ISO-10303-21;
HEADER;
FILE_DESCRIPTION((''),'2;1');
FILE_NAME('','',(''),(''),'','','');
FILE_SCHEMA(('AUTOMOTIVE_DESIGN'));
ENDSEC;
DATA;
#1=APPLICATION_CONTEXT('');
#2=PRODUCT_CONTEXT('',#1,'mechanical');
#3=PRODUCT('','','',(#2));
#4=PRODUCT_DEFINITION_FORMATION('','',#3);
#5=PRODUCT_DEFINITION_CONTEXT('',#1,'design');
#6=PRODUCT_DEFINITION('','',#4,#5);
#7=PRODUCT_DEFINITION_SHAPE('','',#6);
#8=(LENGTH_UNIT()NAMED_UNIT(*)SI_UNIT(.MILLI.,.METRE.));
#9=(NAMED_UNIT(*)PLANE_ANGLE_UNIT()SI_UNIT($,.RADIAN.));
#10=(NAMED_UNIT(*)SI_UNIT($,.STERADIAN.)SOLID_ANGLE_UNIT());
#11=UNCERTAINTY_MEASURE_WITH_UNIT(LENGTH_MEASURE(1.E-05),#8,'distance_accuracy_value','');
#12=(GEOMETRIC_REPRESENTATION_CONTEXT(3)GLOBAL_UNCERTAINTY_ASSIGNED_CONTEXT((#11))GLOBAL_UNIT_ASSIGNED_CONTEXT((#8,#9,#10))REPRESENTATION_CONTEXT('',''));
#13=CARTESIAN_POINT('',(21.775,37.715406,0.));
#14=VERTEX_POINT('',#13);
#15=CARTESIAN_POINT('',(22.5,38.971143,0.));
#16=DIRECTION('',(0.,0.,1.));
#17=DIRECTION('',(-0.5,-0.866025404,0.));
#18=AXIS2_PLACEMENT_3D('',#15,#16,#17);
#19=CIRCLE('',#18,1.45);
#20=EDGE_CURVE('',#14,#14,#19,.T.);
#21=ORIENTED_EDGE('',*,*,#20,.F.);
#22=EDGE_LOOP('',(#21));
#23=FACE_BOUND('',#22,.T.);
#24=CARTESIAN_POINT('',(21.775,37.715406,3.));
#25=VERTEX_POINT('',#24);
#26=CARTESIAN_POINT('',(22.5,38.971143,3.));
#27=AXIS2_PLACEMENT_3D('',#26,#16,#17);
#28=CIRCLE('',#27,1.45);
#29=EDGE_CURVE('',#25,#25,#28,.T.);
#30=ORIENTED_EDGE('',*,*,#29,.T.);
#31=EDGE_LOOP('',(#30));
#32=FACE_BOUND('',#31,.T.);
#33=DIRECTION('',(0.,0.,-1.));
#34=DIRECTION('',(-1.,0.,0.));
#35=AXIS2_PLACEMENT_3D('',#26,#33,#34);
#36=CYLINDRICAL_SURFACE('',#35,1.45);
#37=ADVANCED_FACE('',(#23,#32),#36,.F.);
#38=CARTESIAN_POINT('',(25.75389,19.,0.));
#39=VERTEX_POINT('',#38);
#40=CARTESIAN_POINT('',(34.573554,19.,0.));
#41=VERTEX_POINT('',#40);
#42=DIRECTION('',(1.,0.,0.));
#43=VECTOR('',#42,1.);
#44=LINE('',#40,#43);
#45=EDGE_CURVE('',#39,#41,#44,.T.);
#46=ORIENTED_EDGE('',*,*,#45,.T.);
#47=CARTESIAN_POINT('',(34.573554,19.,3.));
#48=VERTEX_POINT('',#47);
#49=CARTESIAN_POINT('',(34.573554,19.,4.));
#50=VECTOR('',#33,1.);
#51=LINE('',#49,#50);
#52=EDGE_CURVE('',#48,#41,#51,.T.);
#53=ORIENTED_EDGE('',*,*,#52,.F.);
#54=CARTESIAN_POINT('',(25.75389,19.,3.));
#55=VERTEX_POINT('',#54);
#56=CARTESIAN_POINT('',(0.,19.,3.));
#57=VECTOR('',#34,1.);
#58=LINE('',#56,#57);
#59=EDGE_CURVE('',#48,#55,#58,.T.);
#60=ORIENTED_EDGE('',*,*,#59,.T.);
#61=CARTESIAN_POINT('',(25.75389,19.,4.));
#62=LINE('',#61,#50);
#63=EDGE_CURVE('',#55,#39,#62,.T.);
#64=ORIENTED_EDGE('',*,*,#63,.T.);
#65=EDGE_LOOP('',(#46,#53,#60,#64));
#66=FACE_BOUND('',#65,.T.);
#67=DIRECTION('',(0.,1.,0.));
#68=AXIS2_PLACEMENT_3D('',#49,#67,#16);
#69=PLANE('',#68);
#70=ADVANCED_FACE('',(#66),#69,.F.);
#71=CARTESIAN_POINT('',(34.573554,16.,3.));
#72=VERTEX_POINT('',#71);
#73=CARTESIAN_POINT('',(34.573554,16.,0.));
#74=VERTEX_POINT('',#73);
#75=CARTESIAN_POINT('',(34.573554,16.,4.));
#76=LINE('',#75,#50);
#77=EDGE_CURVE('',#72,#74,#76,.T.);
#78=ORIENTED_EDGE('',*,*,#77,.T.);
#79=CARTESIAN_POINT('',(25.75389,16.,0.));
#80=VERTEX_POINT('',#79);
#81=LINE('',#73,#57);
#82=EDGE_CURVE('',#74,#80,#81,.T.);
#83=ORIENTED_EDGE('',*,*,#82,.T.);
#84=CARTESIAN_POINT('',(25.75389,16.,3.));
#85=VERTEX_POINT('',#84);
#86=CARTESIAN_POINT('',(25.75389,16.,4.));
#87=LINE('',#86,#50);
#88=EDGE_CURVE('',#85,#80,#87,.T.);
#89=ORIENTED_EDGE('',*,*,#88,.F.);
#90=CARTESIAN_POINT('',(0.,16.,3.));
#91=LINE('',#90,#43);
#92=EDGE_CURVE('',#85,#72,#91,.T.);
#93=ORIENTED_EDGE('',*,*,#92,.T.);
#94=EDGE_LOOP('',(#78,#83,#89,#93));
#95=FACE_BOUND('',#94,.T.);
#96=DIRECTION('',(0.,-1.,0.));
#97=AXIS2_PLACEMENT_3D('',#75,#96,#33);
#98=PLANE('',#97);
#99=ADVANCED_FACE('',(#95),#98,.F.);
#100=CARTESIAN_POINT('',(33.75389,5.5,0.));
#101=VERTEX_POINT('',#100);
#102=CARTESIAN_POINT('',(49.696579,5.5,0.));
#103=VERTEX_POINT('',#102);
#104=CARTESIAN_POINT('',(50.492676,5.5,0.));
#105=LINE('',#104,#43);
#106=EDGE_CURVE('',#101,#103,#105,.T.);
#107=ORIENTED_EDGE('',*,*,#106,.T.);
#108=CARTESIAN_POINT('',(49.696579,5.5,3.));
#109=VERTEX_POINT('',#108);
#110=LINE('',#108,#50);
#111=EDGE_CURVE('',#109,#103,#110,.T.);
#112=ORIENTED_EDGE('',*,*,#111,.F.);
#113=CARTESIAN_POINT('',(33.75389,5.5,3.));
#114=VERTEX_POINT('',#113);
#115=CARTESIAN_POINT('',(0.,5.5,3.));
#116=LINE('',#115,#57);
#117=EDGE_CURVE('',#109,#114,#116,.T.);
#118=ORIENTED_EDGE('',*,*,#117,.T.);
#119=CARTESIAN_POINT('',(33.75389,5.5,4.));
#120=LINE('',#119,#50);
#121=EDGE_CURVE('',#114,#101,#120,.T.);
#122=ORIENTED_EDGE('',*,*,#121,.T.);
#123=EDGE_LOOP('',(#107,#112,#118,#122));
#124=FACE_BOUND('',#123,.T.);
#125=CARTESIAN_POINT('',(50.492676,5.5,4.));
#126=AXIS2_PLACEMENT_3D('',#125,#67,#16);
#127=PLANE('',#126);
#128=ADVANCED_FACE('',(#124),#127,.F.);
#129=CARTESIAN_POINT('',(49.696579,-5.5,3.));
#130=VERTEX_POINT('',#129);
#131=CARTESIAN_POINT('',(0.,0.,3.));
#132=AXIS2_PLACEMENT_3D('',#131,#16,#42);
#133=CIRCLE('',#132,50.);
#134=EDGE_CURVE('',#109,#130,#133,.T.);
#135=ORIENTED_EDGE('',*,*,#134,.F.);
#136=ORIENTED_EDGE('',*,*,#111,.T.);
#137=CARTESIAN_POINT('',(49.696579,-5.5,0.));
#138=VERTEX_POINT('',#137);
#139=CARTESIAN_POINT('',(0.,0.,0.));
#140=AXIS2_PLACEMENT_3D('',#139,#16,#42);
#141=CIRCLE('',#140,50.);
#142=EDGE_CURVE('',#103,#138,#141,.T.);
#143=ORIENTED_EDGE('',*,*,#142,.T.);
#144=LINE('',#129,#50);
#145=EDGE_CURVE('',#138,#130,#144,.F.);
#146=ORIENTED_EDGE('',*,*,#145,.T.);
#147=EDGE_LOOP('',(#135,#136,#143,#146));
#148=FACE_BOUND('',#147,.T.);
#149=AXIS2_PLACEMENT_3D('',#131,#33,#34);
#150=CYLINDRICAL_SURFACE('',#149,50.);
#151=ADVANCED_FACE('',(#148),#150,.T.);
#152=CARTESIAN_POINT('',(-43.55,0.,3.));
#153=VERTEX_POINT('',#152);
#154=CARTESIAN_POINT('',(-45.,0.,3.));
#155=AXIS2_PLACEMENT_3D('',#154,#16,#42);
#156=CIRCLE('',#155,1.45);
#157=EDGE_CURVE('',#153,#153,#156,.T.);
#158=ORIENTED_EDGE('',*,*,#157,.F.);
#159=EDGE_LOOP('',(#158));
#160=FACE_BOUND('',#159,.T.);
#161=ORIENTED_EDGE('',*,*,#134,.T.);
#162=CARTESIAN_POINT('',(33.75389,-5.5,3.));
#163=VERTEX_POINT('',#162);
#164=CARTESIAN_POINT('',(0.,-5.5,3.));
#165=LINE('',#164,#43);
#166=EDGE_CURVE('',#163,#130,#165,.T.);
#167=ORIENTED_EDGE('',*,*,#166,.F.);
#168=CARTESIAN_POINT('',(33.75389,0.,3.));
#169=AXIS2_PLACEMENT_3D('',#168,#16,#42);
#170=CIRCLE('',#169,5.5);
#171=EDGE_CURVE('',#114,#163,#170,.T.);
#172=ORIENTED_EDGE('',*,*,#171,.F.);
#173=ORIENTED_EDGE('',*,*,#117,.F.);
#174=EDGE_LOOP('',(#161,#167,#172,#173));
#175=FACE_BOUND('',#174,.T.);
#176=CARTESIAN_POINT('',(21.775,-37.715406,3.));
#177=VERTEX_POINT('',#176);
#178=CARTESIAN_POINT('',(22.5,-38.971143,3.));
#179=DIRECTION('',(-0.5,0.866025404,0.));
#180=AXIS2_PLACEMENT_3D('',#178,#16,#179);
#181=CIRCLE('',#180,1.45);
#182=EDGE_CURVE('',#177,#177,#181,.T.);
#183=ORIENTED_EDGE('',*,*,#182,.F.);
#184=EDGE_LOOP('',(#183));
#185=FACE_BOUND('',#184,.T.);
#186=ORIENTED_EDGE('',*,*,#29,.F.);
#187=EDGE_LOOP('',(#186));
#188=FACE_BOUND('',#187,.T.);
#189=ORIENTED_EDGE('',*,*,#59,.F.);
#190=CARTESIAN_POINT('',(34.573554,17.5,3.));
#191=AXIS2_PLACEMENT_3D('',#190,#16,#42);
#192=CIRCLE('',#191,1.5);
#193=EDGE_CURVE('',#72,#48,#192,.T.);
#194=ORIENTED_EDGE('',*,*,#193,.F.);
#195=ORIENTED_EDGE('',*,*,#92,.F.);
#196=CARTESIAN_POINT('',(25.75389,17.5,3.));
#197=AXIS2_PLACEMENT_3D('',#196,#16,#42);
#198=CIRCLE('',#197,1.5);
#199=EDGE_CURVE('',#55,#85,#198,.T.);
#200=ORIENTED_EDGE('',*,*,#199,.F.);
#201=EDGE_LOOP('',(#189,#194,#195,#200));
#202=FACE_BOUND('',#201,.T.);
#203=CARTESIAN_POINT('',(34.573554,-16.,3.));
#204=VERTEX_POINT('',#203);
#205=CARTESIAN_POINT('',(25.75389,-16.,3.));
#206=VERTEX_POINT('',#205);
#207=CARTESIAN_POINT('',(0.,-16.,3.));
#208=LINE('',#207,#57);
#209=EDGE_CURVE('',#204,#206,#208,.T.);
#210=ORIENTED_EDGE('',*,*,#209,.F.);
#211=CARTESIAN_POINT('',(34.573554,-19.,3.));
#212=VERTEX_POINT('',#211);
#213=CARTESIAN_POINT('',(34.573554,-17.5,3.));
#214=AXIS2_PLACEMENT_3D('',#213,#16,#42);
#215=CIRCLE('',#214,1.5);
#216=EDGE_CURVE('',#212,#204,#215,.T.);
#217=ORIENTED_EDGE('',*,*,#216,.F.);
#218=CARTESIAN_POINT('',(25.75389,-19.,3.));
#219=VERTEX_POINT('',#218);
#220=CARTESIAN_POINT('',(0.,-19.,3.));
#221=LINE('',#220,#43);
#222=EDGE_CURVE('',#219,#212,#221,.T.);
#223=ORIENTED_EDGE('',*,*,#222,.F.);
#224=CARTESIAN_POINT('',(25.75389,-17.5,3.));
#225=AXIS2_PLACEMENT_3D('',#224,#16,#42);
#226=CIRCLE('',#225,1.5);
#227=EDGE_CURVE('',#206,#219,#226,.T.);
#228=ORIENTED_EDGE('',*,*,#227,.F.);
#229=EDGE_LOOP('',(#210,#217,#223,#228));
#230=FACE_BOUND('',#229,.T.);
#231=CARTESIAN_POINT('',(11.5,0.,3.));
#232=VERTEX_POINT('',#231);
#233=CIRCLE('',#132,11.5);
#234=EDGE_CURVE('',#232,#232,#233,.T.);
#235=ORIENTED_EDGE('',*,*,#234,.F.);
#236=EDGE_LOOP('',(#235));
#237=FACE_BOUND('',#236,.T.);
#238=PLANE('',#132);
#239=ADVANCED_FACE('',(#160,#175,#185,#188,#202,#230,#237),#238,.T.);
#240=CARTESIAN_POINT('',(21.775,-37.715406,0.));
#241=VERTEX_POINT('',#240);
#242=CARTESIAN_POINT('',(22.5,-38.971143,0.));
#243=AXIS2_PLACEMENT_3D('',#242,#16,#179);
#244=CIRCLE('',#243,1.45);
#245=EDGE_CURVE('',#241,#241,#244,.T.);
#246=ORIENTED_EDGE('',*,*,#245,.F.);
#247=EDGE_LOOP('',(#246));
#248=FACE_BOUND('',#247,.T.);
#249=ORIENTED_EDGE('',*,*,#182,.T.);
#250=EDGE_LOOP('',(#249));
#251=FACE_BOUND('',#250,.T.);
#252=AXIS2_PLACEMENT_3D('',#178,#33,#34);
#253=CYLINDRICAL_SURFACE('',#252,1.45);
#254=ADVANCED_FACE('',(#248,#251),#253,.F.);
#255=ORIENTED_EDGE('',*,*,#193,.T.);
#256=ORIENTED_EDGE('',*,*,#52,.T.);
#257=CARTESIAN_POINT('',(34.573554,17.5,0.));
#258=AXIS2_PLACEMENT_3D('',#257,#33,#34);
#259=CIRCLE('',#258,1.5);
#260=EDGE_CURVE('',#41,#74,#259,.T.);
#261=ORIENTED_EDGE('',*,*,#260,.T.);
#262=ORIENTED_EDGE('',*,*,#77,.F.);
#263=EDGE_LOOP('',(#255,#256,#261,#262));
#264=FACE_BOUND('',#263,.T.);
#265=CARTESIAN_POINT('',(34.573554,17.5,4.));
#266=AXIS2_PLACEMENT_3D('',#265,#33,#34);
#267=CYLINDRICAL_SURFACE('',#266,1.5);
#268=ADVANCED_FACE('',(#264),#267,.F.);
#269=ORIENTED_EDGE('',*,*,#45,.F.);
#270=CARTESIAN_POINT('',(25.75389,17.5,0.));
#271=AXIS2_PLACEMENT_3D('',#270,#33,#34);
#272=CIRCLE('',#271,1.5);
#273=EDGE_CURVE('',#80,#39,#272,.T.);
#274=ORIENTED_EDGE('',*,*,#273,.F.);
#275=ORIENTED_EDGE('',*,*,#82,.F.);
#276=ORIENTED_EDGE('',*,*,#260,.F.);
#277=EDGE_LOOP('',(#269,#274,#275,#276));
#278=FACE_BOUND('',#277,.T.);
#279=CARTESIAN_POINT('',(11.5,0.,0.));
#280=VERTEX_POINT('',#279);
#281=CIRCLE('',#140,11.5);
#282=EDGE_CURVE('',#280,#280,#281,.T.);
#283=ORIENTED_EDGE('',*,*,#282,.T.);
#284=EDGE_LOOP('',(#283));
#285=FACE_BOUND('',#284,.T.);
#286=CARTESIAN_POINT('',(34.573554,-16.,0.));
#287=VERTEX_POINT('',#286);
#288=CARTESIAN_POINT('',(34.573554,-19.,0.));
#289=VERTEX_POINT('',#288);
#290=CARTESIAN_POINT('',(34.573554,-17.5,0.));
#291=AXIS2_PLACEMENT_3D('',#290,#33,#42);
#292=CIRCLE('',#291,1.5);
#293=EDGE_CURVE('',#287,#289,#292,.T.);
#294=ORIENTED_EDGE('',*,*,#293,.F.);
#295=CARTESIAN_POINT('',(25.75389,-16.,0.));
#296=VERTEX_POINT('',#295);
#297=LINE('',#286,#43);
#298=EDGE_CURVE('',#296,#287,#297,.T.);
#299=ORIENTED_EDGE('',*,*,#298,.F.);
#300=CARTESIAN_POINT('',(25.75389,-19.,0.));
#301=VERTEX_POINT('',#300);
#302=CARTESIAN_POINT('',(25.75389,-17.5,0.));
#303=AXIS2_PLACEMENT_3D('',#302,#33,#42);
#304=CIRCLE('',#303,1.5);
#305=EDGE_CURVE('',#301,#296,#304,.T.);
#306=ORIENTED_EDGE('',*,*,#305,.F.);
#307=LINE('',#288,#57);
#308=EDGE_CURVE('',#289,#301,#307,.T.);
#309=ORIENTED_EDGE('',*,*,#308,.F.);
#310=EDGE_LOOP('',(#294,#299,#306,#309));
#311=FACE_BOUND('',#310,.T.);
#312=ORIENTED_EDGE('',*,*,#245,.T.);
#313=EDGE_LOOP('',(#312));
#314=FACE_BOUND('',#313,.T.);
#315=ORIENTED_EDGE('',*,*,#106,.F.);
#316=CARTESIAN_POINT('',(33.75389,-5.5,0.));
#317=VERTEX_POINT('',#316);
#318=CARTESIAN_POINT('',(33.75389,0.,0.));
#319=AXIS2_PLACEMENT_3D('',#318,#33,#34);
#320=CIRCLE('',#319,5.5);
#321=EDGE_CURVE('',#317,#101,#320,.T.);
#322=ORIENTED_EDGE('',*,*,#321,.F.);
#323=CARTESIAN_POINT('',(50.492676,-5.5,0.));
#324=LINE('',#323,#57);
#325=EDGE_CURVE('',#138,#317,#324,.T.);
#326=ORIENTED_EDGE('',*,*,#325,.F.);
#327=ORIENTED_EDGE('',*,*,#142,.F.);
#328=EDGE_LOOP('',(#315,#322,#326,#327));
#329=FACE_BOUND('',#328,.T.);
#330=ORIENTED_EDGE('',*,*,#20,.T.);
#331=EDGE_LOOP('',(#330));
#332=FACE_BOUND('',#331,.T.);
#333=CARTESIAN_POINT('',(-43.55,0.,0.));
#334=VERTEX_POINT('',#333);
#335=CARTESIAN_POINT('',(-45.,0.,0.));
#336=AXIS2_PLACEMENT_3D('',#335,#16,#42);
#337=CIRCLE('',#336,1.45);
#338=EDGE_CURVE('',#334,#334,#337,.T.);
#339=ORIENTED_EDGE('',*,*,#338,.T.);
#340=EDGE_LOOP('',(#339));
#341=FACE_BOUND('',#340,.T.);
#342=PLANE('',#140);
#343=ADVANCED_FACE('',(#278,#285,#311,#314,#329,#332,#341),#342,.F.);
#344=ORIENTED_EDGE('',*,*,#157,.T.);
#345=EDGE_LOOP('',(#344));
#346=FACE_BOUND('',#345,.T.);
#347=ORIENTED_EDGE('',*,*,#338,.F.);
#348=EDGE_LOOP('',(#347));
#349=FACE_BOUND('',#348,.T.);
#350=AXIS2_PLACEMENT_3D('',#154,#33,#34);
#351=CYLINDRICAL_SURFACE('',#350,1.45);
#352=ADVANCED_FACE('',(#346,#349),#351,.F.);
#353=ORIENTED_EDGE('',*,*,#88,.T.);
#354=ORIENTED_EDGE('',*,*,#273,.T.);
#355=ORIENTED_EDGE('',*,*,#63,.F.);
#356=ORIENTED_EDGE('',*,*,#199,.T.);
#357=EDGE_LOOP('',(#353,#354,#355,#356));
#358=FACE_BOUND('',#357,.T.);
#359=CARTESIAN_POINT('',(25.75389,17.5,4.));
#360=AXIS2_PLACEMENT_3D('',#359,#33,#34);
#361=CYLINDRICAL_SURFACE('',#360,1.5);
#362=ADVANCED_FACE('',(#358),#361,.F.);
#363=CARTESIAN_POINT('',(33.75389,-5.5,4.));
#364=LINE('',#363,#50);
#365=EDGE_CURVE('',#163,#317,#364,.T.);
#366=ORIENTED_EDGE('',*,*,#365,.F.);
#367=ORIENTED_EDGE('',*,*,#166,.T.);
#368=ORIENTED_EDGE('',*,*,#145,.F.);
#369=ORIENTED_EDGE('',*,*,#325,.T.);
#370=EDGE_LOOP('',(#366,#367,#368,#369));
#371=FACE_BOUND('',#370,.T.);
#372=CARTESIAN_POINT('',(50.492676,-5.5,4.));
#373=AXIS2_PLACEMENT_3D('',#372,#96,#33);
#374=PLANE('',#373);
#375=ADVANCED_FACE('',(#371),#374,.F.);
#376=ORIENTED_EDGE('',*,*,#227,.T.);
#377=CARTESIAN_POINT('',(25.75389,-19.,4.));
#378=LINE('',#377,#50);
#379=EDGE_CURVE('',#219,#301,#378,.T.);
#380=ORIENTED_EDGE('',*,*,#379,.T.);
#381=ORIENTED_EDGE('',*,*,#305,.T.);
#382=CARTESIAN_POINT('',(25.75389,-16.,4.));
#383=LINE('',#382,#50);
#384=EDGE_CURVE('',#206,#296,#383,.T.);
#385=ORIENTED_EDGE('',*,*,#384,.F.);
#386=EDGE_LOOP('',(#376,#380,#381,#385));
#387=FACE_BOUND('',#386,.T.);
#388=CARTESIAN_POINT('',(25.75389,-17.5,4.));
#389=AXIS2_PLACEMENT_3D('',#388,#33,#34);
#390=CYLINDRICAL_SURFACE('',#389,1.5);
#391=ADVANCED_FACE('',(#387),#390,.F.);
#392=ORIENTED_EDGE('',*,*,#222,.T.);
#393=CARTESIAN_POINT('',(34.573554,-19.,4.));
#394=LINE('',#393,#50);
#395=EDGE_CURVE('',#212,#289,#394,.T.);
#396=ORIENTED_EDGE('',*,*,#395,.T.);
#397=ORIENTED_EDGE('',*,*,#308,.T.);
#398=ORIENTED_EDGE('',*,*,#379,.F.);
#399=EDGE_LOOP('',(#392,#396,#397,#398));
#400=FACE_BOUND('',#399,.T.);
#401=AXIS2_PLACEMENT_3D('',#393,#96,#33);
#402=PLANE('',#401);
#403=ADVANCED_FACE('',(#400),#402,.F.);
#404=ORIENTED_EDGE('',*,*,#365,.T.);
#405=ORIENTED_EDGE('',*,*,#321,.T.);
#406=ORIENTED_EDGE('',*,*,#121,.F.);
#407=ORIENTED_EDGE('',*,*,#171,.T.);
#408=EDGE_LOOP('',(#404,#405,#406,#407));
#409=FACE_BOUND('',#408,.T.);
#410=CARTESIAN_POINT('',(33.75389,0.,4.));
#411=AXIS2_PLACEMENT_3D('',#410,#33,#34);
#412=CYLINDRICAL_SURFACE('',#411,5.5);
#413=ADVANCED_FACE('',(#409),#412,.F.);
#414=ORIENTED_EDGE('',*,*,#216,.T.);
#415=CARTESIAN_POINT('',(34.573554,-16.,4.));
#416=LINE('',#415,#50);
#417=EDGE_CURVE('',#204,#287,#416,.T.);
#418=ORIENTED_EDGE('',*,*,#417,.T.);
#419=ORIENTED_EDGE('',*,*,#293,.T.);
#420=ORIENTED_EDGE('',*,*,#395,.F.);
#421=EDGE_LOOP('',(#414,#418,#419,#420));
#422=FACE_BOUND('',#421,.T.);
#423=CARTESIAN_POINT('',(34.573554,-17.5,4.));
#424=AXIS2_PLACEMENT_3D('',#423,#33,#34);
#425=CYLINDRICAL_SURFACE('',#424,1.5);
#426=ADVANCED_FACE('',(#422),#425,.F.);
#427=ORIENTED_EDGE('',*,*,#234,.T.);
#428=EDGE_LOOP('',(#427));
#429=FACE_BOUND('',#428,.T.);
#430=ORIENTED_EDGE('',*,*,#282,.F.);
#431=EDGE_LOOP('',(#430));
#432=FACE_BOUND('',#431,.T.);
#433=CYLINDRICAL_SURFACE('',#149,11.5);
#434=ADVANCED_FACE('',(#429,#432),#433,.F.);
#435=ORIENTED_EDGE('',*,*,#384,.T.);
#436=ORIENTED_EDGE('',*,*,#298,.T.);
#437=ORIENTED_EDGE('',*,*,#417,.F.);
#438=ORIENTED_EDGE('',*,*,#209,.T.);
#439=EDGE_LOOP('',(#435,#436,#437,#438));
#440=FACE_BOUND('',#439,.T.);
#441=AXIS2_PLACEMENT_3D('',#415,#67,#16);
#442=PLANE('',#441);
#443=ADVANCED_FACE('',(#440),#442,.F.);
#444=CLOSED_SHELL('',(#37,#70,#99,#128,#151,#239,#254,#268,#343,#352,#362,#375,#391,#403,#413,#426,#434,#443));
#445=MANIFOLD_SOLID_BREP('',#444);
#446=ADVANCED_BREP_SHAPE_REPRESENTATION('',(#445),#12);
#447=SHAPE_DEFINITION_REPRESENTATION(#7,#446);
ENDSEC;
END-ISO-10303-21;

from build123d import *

# Parameters (mm, degrees)
ESQUISSE1_R                  = 50
ESQUISSE1_R_2                = 11.5
BOSS_EXTRU_1_DEPTH           = 3
ENL_V_MAT_EXTRU_2_DEPTH      = 4
ESQUISSE4_R                  = 1.45
ENL_V_MAT_EXTRU_3_DEPTH      = 71.774289117
R_P_TITION_CIRCULAIRE1_COUNT = 3


with BuildPart() as part:
    # Esquisse1 → Boss.-Extru.1 (new body)
    with BuildSketch(Plane.XY):
        Circle(ESQUISSE1_R)
        Circle(ESQUISSE1_R_2, mode=Mode.SUBTRACT)
    extrude(amount=BOSS_EXTRU_1_DEPTH)

    # Esquisse3 → Enlèv. mat.-Extru.2 (cut)
    with BuildSketch(Plane(origin=(0, 0, 0), x_dir=(-1, 0, 0), z_dir=(0, 0, -1))):
        with BuildLine():
            Line((-50.492676186, 5.5), (-33.753889757, 5.5))
            ThreePointArc((-33.753889757, 5.5), (-28.253889757, 0), (-33.753889757, -5.5))
            Line((-33.753889757, -5.5), (-50.492676186, -5.5))
            ThreePointArc((-50.492676186, -5.5), (-55.992676186, 0), (-50.492676186, 5.5))
        make_face()
        with BuildLine():
            Line((-34.573554166, 19), (-25.753889757, 19))
            ThreePointArc((-25.753889757, 19), (-24.253889757, 17.5), (-25.753889757, 16))
            Line((-25.753889757, 16), (-34.573554166, 16))
            ThreePointArc((-34.573554166, 16), (-36.073554166, 17.5), (-34.573554166, 19))
        make_face()
        with BuildLine():
            Line((-34.573554166, -19), (-25.753889757, -19))
            ThreePointArc((-25.753889757, -19), (-24.253889757, -17.5), (-25.753889757, -16))
            Line((-25.753889757, -16), (-34.573554166, -16))
            ThreePointArc((-34.573554166, -16), (-36.073554166, -17.5), (-34.573554166, -19))
        make_face()
    extrude(amount=-ENL_V_MAT_EXTRU_2_DEPTH, mode=Mode.SUBTRACT)

    # Esquisse4 → Enlèv. mat.-Extru.3 (cut, through all)
    with BuildSketch(Plane.XY):
        with Locations((-45, 0)):
            Circle(ESQUISSE4_R)
    enl_v_mat_extru_3 = extrude(amount=ENL_V_MAT_EXTRU_3_DEPTH, mode=Mode.SUBTRACT)

    # Répétition circulaire1: Enlèv. mat.-Extru.3 ×3 about axis
    r_p_tition_circulaire1_axis = Axis((0, 0, 3), (0, 0, -1))
    for i in range(1, R_P_TITION_CIRCULAIRE1_COUNT):
        add(enl_v_mat_extru_3.rotate(r_p_tition_circulaire1_axis, i * 360 / R_P_TITION_CIRCULAIRE1_COUNT), mode=Mode.SUBTRACT)


solid = part.part
